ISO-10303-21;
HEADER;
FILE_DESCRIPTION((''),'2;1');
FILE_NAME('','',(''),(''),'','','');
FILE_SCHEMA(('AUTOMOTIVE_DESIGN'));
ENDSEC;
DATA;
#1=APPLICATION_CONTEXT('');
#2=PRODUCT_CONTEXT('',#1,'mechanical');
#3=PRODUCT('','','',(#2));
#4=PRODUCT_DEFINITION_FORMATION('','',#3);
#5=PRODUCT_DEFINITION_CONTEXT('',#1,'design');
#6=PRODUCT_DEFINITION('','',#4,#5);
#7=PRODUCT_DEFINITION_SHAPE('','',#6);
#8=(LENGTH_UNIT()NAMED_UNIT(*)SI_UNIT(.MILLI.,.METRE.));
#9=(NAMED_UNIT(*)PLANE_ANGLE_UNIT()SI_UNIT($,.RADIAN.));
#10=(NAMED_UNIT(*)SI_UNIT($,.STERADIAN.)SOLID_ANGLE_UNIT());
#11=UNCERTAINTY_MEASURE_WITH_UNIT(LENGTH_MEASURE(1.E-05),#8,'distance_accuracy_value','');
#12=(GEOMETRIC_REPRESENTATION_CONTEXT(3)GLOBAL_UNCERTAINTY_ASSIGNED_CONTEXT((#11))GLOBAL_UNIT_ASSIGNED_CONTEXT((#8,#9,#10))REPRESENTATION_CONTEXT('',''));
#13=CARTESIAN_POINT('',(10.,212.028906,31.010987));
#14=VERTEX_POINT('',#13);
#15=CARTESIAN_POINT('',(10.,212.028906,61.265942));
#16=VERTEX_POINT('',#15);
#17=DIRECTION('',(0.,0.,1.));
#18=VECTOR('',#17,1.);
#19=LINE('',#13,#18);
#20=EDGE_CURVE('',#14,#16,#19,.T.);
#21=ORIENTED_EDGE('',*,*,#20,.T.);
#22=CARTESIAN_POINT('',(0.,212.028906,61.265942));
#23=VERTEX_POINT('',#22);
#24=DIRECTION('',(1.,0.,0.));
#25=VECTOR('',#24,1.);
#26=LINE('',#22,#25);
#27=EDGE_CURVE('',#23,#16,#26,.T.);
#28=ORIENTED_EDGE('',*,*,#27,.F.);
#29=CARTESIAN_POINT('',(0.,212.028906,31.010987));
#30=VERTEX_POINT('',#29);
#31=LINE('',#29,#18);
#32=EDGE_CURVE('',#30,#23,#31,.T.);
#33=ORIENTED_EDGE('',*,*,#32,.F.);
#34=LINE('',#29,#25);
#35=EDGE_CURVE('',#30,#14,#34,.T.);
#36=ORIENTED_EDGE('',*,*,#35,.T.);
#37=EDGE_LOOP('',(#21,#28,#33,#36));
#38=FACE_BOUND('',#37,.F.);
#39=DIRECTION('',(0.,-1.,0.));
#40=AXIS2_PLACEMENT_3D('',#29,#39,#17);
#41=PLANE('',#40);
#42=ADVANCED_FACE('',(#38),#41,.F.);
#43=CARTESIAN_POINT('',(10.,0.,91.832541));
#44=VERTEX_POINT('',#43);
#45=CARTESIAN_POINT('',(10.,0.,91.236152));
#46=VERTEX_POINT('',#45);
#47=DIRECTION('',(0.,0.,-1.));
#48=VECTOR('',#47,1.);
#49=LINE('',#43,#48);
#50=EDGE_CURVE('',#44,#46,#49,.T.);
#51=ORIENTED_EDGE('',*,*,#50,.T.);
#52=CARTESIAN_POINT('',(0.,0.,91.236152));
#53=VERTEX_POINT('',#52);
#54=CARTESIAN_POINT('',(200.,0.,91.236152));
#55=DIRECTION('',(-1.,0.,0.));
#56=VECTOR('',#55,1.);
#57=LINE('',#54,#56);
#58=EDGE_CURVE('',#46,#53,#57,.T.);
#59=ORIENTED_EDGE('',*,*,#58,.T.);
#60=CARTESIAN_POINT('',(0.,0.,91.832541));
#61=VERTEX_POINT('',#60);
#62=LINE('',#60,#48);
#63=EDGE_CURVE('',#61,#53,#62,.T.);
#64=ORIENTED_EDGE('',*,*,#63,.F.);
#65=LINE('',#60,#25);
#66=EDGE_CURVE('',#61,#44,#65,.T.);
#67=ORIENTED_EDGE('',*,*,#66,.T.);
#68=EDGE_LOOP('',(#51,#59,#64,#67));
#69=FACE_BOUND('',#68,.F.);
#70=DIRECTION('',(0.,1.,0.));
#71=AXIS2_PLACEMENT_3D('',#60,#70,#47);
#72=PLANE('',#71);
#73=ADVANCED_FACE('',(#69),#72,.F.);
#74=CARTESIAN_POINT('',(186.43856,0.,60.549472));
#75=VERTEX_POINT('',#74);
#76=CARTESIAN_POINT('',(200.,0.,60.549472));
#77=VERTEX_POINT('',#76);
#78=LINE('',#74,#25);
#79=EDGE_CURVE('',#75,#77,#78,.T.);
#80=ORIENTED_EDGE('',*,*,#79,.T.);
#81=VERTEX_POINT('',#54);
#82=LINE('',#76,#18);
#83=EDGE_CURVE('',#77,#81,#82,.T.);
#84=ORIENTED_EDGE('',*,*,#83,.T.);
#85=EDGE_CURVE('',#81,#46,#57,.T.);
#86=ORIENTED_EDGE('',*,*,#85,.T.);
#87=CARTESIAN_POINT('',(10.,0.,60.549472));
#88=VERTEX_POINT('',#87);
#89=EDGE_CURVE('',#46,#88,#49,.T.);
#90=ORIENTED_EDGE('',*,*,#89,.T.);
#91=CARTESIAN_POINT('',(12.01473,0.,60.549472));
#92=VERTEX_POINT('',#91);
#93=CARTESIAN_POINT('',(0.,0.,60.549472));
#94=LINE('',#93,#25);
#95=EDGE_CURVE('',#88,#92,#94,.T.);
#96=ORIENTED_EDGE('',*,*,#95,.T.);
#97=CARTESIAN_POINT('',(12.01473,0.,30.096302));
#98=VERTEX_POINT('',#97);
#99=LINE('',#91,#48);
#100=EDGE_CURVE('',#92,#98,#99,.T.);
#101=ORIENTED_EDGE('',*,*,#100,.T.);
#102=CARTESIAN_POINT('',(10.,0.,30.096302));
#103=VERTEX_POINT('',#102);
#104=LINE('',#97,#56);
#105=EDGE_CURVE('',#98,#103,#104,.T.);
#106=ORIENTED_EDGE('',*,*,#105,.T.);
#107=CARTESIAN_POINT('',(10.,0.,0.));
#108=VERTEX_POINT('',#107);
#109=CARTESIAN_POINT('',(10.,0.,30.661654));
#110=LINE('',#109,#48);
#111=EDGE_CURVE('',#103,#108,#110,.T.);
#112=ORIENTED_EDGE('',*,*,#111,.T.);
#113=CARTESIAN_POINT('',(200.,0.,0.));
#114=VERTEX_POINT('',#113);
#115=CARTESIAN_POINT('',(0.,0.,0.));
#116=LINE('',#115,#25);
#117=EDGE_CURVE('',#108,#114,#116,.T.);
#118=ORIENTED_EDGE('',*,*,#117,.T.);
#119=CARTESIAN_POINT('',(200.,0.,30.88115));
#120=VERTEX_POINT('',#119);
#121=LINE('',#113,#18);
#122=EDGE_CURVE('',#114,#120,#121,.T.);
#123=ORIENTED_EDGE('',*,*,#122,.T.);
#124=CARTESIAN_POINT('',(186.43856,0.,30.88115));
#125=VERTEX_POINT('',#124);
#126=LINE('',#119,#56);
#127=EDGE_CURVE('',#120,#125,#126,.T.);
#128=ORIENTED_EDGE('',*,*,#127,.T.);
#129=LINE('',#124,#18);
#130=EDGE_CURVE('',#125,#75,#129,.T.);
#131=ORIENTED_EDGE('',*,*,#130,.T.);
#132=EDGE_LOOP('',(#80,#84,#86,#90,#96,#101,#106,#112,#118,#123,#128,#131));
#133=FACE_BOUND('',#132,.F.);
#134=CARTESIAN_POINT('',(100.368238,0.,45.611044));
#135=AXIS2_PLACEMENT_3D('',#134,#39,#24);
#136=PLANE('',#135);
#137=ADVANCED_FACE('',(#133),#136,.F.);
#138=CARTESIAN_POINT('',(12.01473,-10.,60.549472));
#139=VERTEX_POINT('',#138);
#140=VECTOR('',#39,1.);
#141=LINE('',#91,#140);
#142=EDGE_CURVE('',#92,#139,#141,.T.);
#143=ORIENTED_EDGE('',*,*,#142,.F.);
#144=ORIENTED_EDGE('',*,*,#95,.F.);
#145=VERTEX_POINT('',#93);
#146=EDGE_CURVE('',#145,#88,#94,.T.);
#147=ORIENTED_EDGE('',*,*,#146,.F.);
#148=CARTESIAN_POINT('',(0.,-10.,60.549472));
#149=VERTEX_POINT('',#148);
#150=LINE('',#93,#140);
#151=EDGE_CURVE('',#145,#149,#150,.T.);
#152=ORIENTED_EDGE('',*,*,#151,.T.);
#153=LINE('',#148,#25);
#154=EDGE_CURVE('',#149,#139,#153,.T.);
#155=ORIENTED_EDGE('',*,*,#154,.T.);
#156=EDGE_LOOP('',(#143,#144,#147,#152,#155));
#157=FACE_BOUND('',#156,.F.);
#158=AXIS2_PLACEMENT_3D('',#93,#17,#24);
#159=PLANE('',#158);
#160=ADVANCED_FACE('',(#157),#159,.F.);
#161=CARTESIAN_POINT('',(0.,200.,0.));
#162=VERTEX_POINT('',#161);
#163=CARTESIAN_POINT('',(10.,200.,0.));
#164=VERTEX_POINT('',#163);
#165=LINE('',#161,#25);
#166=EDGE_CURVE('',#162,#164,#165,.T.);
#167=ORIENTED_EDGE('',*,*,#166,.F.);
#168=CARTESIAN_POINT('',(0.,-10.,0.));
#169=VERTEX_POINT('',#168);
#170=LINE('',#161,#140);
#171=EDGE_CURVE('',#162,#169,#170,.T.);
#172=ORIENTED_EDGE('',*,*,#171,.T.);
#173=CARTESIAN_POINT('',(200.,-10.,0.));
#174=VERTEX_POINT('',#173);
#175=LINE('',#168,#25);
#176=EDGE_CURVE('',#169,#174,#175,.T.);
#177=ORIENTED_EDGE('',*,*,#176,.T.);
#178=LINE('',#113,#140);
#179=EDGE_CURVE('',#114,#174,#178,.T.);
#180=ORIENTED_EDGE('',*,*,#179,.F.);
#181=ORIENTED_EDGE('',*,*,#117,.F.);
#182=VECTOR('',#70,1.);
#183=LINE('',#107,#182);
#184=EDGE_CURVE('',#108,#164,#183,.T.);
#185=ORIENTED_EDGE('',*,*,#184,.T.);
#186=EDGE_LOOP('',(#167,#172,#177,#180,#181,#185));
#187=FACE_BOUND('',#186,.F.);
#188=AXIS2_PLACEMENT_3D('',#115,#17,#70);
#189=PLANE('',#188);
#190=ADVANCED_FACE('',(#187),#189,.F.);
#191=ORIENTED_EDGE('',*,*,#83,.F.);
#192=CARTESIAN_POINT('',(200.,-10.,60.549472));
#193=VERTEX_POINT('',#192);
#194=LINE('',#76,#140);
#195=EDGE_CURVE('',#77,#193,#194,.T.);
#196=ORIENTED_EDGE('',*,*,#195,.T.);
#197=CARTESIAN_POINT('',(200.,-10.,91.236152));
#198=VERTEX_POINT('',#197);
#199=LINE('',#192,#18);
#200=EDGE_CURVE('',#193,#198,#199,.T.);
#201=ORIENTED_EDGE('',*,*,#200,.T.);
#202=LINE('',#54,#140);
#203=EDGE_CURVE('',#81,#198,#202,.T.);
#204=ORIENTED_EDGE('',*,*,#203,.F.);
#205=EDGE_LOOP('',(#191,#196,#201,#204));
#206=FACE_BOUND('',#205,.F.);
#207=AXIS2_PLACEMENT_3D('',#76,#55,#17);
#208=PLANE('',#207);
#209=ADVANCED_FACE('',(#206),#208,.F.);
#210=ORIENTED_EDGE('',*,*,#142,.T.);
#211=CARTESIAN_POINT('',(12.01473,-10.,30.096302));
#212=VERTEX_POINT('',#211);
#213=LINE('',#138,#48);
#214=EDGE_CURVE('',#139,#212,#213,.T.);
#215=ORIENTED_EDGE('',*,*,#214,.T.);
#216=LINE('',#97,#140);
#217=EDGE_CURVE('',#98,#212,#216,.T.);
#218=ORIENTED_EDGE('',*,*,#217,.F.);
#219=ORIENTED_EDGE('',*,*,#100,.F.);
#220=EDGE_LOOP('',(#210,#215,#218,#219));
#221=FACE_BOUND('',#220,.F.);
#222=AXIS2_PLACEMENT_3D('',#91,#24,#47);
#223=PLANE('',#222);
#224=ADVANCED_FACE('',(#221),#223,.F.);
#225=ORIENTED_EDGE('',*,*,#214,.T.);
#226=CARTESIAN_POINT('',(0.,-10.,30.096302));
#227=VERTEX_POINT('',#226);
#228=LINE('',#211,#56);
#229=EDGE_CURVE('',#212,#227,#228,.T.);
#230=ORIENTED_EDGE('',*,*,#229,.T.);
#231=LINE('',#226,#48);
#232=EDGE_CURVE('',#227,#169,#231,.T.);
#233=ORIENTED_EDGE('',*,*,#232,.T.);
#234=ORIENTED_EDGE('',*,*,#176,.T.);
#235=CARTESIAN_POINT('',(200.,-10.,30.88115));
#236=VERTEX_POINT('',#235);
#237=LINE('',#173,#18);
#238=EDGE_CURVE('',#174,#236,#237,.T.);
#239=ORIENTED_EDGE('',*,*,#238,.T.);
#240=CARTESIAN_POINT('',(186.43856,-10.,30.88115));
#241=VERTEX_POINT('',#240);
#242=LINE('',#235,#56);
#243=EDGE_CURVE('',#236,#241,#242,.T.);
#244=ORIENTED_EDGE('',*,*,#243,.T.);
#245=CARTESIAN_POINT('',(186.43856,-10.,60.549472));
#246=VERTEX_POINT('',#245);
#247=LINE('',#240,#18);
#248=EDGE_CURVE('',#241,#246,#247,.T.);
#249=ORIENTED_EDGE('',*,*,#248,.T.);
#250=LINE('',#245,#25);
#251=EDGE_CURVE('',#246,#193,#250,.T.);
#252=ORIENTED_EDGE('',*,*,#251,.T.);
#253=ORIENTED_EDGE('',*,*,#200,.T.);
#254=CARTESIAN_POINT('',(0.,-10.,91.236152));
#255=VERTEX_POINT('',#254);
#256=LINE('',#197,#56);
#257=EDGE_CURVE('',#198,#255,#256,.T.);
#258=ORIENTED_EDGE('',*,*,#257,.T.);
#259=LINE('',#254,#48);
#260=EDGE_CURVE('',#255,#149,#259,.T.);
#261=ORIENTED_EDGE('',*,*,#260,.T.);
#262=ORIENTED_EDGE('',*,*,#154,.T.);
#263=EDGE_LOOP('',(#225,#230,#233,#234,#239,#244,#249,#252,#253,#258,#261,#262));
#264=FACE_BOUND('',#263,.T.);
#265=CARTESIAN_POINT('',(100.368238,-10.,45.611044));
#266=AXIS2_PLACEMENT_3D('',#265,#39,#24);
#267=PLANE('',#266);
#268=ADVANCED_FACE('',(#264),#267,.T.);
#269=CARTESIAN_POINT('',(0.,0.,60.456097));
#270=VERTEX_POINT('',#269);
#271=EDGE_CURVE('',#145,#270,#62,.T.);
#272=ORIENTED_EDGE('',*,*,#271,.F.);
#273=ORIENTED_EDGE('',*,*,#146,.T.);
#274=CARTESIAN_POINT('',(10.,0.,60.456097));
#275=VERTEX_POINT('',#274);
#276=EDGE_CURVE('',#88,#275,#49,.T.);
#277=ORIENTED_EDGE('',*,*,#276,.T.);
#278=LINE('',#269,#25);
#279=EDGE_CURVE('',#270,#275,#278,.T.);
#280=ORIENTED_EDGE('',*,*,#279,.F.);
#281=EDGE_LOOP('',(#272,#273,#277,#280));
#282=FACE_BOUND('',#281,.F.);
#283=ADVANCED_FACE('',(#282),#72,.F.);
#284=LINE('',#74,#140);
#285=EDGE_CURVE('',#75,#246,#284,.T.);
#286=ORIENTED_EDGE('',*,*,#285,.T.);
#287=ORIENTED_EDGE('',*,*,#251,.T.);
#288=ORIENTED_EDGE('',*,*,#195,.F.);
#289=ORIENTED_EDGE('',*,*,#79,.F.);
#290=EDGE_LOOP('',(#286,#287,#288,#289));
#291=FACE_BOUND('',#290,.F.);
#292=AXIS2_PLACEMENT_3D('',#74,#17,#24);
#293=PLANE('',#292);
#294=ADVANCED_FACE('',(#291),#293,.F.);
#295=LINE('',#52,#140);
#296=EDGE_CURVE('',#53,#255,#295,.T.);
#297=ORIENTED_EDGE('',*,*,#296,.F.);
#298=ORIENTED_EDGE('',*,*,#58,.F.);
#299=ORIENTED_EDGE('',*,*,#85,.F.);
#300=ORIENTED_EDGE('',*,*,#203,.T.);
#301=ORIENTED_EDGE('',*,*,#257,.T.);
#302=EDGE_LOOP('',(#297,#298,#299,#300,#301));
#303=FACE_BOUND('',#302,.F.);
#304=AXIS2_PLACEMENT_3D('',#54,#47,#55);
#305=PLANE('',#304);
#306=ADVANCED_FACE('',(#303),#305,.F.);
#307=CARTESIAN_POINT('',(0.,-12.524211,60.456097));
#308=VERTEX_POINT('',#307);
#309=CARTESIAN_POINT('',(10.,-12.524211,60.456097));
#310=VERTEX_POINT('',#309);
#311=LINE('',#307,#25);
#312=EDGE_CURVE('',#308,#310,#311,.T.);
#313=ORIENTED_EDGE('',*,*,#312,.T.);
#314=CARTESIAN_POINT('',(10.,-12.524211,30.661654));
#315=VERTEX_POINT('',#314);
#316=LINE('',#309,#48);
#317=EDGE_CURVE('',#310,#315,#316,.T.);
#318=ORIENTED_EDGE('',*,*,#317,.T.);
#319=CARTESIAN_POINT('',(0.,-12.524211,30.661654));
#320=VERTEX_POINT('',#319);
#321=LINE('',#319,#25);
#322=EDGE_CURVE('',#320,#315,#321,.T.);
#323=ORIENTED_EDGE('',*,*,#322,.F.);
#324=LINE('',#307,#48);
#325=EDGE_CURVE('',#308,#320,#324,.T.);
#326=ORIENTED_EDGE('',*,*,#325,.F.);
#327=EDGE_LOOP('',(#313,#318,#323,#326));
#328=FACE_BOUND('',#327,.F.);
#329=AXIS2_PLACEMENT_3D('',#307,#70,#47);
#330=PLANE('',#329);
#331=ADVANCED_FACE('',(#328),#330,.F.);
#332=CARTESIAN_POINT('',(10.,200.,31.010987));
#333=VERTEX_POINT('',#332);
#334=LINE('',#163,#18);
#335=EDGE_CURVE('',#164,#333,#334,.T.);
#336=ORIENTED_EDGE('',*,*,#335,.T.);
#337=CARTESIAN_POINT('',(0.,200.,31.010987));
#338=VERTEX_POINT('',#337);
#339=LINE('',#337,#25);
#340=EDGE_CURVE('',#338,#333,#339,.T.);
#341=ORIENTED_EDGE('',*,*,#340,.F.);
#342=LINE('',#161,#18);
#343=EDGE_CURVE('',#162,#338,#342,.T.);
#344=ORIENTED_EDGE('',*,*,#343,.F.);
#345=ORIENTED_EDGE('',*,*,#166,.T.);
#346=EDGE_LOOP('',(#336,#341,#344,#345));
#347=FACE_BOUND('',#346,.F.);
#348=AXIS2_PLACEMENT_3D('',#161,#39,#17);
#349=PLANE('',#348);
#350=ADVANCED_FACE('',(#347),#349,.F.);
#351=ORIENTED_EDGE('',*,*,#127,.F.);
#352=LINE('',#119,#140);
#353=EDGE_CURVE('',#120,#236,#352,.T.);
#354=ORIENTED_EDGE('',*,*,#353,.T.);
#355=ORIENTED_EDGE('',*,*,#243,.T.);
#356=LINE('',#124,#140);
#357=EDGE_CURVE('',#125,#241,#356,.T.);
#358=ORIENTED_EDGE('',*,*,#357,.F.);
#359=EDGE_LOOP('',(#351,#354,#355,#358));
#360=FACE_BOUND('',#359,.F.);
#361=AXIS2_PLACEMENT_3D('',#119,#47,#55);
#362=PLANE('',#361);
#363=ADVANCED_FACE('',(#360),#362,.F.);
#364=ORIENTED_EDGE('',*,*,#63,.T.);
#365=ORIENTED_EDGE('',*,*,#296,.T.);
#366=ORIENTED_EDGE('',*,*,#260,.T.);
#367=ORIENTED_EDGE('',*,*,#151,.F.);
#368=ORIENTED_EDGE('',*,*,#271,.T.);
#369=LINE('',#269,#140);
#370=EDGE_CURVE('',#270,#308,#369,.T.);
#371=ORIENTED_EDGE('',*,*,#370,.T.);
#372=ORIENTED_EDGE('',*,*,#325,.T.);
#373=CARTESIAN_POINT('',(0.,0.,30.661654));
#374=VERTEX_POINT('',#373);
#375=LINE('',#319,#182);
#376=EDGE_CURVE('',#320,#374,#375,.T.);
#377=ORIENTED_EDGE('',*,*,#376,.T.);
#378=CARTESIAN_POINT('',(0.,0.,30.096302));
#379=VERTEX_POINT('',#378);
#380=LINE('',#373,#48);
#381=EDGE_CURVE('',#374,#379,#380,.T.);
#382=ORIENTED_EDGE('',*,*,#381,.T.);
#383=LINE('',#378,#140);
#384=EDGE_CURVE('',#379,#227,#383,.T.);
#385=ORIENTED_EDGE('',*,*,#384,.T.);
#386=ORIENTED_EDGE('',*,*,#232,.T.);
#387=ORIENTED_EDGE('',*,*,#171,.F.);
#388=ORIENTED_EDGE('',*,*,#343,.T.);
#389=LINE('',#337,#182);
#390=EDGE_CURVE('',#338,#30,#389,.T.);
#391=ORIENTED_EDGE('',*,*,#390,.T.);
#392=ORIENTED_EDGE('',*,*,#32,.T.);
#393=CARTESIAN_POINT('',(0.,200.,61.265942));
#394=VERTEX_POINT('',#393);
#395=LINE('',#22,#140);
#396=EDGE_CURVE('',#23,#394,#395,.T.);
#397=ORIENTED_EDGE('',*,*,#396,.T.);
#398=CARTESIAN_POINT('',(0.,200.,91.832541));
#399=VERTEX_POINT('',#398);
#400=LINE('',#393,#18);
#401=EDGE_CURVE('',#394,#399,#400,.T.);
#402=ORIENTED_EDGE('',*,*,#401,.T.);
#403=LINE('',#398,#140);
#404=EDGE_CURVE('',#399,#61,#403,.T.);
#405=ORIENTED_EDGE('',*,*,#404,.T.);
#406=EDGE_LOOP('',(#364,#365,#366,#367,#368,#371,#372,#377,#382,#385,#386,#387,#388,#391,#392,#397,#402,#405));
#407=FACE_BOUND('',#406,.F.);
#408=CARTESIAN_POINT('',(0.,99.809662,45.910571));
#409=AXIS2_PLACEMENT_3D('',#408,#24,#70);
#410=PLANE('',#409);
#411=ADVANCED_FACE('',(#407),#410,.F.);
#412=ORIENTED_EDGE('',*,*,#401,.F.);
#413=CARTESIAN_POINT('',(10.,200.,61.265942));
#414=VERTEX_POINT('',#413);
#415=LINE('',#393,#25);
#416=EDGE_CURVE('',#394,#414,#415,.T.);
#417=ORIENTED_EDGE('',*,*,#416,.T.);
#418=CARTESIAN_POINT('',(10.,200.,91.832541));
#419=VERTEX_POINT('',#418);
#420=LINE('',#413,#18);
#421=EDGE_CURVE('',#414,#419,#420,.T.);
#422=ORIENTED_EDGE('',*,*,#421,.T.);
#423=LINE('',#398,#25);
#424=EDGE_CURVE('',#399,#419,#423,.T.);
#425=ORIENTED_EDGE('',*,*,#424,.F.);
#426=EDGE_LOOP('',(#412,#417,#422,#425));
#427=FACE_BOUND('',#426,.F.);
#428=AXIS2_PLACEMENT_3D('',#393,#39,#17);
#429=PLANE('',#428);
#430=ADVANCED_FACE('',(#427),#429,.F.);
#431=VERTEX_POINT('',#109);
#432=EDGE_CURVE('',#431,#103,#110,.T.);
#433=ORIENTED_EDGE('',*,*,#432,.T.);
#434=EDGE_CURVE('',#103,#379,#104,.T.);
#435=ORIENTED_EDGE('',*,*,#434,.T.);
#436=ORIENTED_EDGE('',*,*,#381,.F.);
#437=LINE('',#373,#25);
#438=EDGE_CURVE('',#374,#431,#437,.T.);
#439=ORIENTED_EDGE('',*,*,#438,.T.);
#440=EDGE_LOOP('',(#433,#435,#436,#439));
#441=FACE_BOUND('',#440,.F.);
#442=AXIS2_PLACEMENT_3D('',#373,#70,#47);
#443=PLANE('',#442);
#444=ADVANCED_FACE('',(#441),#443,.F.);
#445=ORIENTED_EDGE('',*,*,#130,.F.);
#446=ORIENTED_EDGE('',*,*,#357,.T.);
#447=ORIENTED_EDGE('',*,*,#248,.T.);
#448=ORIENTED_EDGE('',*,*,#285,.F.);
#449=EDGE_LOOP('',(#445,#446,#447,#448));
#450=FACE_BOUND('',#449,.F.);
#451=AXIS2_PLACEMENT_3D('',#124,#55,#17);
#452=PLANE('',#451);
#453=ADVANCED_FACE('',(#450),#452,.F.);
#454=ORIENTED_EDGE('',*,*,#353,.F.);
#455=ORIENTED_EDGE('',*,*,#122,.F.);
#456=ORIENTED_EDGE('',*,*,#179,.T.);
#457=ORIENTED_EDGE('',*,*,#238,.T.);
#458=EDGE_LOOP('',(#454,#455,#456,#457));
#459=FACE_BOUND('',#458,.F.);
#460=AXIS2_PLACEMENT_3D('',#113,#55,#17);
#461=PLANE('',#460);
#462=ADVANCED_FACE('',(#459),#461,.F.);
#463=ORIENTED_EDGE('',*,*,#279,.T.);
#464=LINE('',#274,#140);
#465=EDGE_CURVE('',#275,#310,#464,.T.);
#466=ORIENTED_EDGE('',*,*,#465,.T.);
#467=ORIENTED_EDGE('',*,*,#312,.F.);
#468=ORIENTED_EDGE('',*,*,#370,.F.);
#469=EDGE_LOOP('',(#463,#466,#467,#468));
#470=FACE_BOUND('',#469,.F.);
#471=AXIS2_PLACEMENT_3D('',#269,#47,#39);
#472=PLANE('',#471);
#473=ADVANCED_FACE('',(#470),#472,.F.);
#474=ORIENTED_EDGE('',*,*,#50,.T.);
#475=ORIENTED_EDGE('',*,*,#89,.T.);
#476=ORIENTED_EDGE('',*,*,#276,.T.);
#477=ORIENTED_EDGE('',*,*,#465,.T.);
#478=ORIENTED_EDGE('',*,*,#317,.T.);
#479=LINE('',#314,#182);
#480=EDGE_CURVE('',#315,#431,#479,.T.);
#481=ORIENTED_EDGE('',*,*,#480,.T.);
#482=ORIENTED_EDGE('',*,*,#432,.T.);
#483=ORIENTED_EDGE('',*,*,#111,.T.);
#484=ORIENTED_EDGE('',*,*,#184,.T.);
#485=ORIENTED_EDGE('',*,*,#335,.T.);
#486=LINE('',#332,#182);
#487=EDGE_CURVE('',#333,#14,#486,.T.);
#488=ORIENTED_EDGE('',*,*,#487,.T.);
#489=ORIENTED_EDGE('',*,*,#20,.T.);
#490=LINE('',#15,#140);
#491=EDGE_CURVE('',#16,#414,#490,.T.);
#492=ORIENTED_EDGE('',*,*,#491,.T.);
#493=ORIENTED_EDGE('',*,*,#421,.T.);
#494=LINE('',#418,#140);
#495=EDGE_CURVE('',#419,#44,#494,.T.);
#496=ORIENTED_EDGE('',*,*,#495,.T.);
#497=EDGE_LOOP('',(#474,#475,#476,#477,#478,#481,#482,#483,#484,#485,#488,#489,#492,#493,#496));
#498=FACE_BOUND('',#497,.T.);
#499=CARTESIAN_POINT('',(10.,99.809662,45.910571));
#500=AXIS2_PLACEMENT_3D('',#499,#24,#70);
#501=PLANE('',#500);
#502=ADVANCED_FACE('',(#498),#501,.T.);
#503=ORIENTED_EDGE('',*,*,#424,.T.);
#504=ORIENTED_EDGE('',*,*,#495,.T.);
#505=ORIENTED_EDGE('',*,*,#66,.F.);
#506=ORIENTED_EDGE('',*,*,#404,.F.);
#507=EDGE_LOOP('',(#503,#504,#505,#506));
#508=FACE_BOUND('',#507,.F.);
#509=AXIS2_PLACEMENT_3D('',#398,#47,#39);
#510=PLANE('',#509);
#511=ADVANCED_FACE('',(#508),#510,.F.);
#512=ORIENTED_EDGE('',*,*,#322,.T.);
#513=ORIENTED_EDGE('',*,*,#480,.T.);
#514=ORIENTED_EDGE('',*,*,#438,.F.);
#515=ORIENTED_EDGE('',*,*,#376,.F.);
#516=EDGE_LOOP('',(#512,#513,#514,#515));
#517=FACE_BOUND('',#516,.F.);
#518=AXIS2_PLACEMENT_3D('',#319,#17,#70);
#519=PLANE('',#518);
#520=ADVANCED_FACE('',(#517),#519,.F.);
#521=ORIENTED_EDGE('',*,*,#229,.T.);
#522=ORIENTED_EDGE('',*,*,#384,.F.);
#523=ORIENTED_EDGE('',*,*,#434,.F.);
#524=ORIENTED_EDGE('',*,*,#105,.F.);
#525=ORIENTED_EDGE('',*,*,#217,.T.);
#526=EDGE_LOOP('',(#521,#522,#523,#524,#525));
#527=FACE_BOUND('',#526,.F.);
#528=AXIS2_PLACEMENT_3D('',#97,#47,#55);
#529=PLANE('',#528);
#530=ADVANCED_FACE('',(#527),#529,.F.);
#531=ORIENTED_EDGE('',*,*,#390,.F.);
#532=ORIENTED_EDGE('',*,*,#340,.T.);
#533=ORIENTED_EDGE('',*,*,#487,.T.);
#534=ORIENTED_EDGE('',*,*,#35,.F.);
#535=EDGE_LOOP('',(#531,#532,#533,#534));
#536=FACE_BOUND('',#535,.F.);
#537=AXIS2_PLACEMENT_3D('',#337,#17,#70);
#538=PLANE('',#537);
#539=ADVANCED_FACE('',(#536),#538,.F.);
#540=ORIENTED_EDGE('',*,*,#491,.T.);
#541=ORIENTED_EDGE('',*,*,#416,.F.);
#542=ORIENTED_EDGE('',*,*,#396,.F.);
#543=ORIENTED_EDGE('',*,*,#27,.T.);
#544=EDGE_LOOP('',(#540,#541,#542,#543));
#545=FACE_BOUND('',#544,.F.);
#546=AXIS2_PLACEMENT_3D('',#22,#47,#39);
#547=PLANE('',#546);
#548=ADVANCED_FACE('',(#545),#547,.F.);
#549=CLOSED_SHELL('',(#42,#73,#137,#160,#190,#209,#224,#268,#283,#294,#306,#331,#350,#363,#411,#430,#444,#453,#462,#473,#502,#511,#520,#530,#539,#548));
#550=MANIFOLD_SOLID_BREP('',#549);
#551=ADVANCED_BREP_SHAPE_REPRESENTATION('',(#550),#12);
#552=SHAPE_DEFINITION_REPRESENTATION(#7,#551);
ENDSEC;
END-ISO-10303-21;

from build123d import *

# Parameters (mm, degrees)
F2_DEPTH = 10
F3_DEPTH = 10


with BuildPart() as f2:
    # F0 (on Front) → F2 (new body)
    with BuildSketch(Plane.XZ):
        Polygon((0, 30.096302), (0, 0), (200, 0), (200, 30.88115), (186.43856, 30.88115), (186.43856, 60.549472), (200, 60.549472), (200, 91.236152), (0, 91.236152), (0, 60.549472), (12.01473, 60.549472), (12.01473, 30.096302), align=None)
    extrude(amount=F2_DEPTH)

    # F1 (on Right) → F3 (join)
    with BuildSketch(Plane.YZ):
        Polygon((0, 30.661654), (0, 0), (200, 0), (200, 31.010987), (212.028906, 31.010987), (212.028906, 61.265942), (200, 61.265942), (200, 91.832541), (0, 91.832541), (0, 60.456097), (-12.524211, 60.456097), (-12.524211, 30.661654), align=None)
    extrude(amount=F3_DEPTH)


solid = f2.part
